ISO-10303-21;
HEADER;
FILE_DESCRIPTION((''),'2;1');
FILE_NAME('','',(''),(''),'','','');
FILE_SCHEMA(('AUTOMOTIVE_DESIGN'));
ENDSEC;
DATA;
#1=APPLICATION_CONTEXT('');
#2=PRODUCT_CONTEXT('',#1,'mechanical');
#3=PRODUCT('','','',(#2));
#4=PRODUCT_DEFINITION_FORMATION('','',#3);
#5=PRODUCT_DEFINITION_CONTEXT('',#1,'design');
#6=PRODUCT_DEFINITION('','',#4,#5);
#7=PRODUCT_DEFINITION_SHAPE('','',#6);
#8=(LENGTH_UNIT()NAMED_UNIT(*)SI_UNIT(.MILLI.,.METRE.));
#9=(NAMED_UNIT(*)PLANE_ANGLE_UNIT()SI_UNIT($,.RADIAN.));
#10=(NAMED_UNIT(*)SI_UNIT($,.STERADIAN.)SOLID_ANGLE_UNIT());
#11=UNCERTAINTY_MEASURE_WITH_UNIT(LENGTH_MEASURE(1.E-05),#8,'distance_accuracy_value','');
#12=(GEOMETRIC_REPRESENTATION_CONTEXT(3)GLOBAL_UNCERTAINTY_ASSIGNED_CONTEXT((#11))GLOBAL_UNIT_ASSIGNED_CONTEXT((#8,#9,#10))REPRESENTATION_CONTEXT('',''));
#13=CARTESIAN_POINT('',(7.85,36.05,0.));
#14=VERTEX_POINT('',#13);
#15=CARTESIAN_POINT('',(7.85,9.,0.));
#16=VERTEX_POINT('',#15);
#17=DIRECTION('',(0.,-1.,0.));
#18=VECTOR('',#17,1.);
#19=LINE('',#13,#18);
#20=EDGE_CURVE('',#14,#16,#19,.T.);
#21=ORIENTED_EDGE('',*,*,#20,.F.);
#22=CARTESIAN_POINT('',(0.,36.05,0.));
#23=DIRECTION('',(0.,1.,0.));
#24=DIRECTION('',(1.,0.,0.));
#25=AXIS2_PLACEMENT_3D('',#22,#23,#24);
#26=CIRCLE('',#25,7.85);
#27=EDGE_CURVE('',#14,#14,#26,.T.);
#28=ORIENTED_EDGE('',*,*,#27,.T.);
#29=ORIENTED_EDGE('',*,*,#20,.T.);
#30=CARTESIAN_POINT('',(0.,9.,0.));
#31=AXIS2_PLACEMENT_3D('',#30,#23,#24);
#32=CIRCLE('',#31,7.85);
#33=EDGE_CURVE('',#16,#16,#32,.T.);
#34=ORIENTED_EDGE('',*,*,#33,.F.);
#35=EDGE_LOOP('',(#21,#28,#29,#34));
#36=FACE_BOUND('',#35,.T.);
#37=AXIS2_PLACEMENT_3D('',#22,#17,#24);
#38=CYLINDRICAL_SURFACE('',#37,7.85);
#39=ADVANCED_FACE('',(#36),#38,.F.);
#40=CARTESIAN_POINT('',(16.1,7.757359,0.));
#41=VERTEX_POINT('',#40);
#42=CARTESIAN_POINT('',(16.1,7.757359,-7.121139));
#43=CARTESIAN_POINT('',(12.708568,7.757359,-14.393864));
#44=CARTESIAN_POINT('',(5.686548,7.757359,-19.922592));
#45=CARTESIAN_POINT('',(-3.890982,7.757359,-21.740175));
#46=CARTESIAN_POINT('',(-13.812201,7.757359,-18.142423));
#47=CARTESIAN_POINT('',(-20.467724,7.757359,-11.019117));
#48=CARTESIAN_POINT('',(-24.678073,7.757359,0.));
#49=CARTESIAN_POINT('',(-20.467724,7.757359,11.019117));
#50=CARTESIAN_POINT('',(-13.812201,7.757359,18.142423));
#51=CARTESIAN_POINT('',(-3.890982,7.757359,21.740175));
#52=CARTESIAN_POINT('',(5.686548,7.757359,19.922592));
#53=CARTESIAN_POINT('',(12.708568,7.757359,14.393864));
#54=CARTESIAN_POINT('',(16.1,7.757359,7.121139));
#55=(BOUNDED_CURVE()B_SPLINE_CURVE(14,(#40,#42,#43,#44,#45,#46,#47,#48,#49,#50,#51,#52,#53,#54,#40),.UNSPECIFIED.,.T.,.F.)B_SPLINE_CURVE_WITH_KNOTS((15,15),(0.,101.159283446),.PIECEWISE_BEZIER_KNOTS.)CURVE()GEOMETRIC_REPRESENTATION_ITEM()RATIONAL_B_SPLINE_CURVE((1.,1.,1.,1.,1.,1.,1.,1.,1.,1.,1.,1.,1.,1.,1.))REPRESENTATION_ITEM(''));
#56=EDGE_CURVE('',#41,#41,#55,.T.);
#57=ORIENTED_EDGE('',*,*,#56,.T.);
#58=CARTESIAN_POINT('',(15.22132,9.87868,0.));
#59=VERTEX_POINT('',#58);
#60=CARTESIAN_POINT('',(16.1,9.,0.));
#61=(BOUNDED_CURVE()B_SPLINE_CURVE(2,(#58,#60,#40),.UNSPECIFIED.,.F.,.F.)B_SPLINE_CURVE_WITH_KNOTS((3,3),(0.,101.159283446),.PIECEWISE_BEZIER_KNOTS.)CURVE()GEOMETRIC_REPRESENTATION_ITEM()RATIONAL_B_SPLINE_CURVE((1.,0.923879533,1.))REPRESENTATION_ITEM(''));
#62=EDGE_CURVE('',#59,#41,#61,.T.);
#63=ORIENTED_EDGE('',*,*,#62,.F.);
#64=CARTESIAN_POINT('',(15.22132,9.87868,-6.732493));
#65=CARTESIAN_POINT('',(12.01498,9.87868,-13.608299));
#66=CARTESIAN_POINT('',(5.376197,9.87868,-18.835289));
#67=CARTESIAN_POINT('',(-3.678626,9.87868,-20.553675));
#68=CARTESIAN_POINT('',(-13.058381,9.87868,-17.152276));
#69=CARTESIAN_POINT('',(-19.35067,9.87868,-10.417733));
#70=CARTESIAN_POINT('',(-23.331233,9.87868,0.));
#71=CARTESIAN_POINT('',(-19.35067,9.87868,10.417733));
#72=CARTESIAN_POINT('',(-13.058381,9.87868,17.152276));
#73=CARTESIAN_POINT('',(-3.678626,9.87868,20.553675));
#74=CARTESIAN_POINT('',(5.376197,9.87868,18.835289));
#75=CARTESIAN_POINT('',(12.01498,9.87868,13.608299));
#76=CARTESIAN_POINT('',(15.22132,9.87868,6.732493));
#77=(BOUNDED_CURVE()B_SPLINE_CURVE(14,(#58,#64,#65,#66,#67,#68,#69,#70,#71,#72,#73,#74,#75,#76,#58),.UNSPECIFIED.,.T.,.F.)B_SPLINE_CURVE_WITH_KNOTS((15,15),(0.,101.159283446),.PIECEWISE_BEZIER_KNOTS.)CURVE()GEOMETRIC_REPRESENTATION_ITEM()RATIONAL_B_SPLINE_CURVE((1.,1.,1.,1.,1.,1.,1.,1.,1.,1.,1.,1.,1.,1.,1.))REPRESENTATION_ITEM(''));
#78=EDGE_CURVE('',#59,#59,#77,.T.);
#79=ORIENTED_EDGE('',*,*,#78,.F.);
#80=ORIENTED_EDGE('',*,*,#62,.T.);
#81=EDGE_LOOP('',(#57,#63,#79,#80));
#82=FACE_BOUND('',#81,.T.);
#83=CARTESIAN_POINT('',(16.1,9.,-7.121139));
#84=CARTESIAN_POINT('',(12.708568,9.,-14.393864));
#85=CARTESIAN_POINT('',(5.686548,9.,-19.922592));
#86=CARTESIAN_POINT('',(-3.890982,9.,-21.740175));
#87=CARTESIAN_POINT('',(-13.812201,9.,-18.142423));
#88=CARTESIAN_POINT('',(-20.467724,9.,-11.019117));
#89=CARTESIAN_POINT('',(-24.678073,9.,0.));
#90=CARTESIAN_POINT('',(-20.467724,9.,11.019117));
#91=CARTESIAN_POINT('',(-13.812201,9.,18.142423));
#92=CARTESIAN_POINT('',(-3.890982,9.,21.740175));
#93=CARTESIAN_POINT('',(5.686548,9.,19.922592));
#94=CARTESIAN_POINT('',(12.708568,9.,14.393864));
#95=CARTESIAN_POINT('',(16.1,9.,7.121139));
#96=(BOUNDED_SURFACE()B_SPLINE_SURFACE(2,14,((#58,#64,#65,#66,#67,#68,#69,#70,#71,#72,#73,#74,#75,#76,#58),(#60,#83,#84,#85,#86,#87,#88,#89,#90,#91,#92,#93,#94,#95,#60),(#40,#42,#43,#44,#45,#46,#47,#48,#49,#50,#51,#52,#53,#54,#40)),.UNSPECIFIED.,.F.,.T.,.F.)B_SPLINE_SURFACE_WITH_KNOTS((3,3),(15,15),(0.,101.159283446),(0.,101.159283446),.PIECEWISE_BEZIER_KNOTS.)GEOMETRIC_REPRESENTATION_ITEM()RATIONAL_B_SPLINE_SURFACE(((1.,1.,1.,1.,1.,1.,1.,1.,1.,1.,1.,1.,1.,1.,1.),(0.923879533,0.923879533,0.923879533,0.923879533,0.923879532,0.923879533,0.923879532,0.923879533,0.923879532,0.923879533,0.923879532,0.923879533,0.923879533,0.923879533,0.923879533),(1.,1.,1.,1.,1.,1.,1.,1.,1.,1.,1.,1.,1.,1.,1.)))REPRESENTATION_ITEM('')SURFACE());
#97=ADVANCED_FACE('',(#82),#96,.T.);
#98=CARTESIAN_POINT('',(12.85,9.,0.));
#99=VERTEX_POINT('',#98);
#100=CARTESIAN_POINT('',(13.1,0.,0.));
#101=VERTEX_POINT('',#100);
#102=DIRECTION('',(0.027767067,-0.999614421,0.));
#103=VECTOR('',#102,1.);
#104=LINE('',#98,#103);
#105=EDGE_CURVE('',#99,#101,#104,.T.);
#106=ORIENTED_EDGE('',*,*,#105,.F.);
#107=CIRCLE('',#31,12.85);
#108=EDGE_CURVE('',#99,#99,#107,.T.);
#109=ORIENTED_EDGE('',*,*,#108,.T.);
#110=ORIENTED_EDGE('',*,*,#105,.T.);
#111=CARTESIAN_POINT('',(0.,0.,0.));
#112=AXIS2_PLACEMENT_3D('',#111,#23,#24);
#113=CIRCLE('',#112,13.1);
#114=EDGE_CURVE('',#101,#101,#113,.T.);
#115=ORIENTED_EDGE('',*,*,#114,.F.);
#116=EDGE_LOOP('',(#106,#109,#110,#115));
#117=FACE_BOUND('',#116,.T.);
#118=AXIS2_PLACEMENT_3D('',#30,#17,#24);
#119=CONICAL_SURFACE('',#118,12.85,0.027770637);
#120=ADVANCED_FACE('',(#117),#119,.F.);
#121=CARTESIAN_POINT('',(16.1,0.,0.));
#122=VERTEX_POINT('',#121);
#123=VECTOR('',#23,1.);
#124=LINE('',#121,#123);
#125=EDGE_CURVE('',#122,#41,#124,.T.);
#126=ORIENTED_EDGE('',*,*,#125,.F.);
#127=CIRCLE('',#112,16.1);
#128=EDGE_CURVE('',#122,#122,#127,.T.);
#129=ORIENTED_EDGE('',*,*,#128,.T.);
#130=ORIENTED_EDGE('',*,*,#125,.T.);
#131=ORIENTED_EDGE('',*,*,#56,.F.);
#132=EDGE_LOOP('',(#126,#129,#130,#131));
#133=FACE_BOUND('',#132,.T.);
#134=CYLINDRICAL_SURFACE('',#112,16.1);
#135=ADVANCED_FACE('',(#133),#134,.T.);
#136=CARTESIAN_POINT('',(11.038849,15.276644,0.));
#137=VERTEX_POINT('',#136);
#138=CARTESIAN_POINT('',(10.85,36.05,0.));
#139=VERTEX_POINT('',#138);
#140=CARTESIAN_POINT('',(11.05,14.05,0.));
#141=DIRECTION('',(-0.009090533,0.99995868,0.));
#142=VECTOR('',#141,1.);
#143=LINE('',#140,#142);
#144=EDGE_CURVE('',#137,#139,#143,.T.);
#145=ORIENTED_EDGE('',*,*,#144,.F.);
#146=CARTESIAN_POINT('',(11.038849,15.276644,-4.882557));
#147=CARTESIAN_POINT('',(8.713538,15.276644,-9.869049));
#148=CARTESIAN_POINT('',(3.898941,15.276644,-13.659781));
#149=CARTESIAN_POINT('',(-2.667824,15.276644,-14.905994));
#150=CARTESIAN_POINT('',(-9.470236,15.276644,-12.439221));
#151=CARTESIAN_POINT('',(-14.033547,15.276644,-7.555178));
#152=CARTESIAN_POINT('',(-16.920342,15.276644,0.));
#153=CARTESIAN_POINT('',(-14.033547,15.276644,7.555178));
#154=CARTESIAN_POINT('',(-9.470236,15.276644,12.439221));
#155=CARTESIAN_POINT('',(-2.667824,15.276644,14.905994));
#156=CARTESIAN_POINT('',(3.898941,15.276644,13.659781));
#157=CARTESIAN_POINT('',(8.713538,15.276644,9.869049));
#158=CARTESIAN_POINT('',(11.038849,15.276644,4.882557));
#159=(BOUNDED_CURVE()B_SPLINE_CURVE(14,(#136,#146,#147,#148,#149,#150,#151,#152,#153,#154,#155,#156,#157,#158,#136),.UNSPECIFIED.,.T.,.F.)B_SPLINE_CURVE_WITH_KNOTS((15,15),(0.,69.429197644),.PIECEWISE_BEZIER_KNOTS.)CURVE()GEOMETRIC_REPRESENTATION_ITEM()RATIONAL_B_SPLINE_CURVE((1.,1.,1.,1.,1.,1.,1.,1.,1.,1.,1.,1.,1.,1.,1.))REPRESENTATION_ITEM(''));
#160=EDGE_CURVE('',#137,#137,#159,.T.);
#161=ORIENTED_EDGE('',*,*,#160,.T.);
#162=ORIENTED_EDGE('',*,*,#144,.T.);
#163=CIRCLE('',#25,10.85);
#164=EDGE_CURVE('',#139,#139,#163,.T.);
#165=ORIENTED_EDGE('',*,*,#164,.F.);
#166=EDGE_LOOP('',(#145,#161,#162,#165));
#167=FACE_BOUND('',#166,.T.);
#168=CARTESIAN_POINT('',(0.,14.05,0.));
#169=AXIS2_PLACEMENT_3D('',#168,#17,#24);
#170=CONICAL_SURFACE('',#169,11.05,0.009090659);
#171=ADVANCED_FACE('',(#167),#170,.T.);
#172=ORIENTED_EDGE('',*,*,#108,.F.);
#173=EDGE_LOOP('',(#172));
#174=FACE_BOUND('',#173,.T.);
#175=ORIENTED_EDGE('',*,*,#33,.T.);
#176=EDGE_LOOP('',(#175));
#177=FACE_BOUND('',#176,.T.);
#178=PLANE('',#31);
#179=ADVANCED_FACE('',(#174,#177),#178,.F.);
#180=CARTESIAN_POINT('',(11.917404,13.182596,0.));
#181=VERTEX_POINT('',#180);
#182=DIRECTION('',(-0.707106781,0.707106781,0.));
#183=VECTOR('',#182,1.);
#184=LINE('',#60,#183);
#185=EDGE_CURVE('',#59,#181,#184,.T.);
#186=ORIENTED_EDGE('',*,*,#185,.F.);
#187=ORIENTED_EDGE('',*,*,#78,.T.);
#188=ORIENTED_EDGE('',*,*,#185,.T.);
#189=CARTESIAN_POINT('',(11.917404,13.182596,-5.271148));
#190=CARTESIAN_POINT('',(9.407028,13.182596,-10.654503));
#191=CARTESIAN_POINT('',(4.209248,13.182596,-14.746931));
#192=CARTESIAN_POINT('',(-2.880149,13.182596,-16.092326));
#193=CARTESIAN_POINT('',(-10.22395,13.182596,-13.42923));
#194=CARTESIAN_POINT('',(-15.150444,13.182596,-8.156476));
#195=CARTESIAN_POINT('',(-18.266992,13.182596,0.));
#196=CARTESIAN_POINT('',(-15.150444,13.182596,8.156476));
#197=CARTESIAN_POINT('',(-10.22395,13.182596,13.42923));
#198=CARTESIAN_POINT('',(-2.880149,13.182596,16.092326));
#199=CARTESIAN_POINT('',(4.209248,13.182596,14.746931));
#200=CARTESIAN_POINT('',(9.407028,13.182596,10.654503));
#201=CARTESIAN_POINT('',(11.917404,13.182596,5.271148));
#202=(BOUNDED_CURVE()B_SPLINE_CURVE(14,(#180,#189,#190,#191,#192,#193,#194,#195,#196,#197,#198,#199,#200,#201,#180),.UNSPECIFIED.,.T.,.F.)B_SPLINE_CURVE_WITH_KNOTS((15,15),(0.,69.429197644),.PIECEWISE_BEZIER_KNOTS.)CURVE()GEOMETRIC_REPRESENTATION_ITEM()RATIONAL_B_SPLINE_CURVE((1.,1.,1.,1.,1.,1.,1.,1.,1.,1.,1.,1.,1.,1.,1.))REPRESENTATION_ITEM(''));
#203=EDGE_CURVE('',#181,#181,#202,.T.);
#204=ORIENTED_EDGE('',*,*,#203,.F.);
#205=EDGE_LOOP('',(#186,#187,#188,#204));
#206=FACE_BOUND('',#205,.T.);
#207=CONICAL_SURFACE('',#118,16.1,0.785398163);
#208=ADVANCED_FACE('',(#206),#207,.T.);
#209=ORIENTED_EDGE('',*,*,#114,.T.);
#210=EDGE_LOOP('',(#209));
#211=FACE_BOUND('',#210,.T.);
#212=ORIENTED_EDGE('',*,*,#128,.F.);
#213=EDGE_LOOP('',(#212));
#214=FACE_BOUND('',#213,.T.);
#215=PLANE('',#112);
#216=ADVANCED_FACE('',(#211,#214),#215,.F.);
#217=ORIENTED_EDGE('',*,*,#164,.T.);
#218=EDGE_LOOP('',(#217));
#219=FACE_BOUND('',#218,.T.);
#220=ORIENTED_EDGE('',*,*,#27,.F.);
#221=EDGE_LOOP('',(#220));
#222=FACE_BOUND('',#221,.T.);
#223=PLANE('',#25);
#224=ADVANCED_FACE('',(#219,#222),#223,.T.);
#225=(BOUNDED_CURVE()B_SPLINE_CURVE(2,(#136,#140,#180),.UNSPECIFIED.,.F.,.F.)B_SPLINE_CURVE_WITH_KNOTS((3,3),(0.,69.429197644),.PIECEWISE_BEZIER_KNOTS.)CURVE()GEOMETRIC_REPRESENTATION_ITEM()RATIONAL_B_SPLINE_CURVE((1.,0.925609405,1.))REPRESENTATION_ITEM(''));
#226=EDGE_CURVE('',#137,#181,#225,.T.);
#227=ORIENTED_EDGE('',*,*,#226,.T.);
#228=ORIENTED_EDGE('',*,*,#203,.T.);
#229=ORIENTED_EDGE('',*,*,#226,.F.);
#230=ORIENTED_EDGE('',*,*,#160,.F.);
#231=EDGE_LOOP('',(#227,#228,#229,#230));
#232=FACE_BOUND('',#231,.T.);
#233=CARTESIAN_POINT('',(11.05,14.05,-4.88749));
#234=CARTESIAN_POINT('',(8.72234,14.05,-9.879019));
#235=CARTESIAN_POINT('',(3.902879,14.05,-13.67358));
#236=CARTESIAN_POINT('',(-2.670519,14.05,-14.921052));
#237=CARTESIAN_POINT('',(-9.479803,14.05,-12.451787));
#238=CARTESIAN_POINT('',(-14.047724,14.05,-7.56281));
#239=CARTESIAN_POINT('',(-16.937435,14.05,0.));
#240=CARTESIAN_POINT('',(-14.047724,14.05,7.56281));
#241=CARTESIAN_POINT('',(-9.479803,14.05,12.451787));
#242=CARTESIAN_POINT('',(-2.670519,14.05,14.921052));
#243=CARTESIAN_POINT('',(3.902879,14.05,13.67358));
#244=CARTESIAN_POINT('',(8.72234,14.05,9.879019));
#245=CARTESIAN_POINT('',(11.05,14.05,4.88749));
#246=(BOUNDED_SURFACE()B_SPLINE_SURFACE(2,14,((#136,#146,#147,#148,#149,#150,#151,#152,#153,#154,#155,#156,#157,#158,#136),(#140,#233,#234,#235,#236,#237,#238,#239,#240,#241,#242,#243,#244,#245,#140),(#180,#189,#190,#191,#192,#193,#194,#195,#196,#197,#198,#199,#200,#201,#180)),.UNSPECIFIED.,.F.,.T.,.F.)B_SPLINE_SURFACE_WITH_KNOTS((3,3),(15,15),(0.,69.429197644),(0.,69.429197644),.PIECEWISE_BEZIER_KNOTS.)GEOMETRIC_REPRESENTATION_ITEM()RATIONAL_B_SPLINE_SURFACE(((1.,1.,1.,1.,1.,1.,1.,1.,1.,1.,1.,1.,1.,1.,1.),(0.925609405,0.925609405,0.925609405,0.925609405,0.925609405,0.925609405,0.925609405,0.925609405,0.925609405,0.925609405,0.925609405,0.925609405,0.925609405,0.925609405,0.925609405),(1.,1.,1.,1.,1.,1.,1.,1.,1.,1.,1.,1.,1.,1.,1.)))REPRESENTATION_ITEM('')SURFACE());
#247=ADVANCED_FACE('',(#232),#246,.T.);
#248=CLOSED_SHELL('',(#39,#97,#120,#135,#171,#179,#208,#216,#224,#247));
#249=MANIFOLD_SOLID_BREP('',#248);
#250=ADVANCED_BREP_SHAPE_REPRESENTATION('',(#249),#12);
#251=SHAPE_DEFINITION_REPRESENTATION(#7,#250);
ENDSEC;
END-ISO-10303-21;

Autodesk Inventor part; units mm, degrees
ref_plane "YZ Plane" through (0, 0, 0) normal (1, 0, 0) x (0, 1, 0)
ref_plane "XZ Plane" through (0, 0, 0) normal (0, 1, 0) x (-1, 0, 0)
ref_plane "XY Plane" through (0, 0, 0) normal (0, 0, 1) x (1, 0, 0)
sketch "Sketch2" plane through (0, 0, 0) normal (0, 0, 1) x (1, 0, 0)
  line L0 (12.85, 9) -> (13.1, 0)
  line L1 (0, 0) -> (13.1, 0) construction
  line L2 (0, 9) -> (12.85, 9) construction
  line L3 (0, 0) -> (0, 9) construction
  line L4 (16.1, 0) -> (16.1, 9)
  line L5 (16.1, 9) -> (11.05, 14.05)
  line L6 (11.05, 14.05) -> (10.85, 36.05)
  line L7 (10.85, 36.05) -> (7.85, 36.05)
  line L8 (7.85, 36.05) -> (7.85, 9)
  line L9 (7.85, 9) -> (12.85, 9)
  line L10 (13.1, 0) -> (16.1, 0)
  line L11 (0, -7.21) -> (0, 43.26) projected
  dimension "d0" = 13.1
  dimension "d1" = 12.85
  dimension "d2" = 9
  dimension "d3" = 3
  dimension "d4" = 45
  dimension "d5" = 11.05
  dimension "d6" = 22
  dimension "d7" = 10.85
  dimension "d8" = 3
revolve "Revolution1" add sketch "Sketch2" angle 360 about axis through (0, -10, 0) along (0, 1, 0)
fillet "Fillet2" radius 3 2 edges at (-11.05, 14.05, 0) (-16.1, 9, 0)
properties part number "BlowerInletPort_3DPrint"
